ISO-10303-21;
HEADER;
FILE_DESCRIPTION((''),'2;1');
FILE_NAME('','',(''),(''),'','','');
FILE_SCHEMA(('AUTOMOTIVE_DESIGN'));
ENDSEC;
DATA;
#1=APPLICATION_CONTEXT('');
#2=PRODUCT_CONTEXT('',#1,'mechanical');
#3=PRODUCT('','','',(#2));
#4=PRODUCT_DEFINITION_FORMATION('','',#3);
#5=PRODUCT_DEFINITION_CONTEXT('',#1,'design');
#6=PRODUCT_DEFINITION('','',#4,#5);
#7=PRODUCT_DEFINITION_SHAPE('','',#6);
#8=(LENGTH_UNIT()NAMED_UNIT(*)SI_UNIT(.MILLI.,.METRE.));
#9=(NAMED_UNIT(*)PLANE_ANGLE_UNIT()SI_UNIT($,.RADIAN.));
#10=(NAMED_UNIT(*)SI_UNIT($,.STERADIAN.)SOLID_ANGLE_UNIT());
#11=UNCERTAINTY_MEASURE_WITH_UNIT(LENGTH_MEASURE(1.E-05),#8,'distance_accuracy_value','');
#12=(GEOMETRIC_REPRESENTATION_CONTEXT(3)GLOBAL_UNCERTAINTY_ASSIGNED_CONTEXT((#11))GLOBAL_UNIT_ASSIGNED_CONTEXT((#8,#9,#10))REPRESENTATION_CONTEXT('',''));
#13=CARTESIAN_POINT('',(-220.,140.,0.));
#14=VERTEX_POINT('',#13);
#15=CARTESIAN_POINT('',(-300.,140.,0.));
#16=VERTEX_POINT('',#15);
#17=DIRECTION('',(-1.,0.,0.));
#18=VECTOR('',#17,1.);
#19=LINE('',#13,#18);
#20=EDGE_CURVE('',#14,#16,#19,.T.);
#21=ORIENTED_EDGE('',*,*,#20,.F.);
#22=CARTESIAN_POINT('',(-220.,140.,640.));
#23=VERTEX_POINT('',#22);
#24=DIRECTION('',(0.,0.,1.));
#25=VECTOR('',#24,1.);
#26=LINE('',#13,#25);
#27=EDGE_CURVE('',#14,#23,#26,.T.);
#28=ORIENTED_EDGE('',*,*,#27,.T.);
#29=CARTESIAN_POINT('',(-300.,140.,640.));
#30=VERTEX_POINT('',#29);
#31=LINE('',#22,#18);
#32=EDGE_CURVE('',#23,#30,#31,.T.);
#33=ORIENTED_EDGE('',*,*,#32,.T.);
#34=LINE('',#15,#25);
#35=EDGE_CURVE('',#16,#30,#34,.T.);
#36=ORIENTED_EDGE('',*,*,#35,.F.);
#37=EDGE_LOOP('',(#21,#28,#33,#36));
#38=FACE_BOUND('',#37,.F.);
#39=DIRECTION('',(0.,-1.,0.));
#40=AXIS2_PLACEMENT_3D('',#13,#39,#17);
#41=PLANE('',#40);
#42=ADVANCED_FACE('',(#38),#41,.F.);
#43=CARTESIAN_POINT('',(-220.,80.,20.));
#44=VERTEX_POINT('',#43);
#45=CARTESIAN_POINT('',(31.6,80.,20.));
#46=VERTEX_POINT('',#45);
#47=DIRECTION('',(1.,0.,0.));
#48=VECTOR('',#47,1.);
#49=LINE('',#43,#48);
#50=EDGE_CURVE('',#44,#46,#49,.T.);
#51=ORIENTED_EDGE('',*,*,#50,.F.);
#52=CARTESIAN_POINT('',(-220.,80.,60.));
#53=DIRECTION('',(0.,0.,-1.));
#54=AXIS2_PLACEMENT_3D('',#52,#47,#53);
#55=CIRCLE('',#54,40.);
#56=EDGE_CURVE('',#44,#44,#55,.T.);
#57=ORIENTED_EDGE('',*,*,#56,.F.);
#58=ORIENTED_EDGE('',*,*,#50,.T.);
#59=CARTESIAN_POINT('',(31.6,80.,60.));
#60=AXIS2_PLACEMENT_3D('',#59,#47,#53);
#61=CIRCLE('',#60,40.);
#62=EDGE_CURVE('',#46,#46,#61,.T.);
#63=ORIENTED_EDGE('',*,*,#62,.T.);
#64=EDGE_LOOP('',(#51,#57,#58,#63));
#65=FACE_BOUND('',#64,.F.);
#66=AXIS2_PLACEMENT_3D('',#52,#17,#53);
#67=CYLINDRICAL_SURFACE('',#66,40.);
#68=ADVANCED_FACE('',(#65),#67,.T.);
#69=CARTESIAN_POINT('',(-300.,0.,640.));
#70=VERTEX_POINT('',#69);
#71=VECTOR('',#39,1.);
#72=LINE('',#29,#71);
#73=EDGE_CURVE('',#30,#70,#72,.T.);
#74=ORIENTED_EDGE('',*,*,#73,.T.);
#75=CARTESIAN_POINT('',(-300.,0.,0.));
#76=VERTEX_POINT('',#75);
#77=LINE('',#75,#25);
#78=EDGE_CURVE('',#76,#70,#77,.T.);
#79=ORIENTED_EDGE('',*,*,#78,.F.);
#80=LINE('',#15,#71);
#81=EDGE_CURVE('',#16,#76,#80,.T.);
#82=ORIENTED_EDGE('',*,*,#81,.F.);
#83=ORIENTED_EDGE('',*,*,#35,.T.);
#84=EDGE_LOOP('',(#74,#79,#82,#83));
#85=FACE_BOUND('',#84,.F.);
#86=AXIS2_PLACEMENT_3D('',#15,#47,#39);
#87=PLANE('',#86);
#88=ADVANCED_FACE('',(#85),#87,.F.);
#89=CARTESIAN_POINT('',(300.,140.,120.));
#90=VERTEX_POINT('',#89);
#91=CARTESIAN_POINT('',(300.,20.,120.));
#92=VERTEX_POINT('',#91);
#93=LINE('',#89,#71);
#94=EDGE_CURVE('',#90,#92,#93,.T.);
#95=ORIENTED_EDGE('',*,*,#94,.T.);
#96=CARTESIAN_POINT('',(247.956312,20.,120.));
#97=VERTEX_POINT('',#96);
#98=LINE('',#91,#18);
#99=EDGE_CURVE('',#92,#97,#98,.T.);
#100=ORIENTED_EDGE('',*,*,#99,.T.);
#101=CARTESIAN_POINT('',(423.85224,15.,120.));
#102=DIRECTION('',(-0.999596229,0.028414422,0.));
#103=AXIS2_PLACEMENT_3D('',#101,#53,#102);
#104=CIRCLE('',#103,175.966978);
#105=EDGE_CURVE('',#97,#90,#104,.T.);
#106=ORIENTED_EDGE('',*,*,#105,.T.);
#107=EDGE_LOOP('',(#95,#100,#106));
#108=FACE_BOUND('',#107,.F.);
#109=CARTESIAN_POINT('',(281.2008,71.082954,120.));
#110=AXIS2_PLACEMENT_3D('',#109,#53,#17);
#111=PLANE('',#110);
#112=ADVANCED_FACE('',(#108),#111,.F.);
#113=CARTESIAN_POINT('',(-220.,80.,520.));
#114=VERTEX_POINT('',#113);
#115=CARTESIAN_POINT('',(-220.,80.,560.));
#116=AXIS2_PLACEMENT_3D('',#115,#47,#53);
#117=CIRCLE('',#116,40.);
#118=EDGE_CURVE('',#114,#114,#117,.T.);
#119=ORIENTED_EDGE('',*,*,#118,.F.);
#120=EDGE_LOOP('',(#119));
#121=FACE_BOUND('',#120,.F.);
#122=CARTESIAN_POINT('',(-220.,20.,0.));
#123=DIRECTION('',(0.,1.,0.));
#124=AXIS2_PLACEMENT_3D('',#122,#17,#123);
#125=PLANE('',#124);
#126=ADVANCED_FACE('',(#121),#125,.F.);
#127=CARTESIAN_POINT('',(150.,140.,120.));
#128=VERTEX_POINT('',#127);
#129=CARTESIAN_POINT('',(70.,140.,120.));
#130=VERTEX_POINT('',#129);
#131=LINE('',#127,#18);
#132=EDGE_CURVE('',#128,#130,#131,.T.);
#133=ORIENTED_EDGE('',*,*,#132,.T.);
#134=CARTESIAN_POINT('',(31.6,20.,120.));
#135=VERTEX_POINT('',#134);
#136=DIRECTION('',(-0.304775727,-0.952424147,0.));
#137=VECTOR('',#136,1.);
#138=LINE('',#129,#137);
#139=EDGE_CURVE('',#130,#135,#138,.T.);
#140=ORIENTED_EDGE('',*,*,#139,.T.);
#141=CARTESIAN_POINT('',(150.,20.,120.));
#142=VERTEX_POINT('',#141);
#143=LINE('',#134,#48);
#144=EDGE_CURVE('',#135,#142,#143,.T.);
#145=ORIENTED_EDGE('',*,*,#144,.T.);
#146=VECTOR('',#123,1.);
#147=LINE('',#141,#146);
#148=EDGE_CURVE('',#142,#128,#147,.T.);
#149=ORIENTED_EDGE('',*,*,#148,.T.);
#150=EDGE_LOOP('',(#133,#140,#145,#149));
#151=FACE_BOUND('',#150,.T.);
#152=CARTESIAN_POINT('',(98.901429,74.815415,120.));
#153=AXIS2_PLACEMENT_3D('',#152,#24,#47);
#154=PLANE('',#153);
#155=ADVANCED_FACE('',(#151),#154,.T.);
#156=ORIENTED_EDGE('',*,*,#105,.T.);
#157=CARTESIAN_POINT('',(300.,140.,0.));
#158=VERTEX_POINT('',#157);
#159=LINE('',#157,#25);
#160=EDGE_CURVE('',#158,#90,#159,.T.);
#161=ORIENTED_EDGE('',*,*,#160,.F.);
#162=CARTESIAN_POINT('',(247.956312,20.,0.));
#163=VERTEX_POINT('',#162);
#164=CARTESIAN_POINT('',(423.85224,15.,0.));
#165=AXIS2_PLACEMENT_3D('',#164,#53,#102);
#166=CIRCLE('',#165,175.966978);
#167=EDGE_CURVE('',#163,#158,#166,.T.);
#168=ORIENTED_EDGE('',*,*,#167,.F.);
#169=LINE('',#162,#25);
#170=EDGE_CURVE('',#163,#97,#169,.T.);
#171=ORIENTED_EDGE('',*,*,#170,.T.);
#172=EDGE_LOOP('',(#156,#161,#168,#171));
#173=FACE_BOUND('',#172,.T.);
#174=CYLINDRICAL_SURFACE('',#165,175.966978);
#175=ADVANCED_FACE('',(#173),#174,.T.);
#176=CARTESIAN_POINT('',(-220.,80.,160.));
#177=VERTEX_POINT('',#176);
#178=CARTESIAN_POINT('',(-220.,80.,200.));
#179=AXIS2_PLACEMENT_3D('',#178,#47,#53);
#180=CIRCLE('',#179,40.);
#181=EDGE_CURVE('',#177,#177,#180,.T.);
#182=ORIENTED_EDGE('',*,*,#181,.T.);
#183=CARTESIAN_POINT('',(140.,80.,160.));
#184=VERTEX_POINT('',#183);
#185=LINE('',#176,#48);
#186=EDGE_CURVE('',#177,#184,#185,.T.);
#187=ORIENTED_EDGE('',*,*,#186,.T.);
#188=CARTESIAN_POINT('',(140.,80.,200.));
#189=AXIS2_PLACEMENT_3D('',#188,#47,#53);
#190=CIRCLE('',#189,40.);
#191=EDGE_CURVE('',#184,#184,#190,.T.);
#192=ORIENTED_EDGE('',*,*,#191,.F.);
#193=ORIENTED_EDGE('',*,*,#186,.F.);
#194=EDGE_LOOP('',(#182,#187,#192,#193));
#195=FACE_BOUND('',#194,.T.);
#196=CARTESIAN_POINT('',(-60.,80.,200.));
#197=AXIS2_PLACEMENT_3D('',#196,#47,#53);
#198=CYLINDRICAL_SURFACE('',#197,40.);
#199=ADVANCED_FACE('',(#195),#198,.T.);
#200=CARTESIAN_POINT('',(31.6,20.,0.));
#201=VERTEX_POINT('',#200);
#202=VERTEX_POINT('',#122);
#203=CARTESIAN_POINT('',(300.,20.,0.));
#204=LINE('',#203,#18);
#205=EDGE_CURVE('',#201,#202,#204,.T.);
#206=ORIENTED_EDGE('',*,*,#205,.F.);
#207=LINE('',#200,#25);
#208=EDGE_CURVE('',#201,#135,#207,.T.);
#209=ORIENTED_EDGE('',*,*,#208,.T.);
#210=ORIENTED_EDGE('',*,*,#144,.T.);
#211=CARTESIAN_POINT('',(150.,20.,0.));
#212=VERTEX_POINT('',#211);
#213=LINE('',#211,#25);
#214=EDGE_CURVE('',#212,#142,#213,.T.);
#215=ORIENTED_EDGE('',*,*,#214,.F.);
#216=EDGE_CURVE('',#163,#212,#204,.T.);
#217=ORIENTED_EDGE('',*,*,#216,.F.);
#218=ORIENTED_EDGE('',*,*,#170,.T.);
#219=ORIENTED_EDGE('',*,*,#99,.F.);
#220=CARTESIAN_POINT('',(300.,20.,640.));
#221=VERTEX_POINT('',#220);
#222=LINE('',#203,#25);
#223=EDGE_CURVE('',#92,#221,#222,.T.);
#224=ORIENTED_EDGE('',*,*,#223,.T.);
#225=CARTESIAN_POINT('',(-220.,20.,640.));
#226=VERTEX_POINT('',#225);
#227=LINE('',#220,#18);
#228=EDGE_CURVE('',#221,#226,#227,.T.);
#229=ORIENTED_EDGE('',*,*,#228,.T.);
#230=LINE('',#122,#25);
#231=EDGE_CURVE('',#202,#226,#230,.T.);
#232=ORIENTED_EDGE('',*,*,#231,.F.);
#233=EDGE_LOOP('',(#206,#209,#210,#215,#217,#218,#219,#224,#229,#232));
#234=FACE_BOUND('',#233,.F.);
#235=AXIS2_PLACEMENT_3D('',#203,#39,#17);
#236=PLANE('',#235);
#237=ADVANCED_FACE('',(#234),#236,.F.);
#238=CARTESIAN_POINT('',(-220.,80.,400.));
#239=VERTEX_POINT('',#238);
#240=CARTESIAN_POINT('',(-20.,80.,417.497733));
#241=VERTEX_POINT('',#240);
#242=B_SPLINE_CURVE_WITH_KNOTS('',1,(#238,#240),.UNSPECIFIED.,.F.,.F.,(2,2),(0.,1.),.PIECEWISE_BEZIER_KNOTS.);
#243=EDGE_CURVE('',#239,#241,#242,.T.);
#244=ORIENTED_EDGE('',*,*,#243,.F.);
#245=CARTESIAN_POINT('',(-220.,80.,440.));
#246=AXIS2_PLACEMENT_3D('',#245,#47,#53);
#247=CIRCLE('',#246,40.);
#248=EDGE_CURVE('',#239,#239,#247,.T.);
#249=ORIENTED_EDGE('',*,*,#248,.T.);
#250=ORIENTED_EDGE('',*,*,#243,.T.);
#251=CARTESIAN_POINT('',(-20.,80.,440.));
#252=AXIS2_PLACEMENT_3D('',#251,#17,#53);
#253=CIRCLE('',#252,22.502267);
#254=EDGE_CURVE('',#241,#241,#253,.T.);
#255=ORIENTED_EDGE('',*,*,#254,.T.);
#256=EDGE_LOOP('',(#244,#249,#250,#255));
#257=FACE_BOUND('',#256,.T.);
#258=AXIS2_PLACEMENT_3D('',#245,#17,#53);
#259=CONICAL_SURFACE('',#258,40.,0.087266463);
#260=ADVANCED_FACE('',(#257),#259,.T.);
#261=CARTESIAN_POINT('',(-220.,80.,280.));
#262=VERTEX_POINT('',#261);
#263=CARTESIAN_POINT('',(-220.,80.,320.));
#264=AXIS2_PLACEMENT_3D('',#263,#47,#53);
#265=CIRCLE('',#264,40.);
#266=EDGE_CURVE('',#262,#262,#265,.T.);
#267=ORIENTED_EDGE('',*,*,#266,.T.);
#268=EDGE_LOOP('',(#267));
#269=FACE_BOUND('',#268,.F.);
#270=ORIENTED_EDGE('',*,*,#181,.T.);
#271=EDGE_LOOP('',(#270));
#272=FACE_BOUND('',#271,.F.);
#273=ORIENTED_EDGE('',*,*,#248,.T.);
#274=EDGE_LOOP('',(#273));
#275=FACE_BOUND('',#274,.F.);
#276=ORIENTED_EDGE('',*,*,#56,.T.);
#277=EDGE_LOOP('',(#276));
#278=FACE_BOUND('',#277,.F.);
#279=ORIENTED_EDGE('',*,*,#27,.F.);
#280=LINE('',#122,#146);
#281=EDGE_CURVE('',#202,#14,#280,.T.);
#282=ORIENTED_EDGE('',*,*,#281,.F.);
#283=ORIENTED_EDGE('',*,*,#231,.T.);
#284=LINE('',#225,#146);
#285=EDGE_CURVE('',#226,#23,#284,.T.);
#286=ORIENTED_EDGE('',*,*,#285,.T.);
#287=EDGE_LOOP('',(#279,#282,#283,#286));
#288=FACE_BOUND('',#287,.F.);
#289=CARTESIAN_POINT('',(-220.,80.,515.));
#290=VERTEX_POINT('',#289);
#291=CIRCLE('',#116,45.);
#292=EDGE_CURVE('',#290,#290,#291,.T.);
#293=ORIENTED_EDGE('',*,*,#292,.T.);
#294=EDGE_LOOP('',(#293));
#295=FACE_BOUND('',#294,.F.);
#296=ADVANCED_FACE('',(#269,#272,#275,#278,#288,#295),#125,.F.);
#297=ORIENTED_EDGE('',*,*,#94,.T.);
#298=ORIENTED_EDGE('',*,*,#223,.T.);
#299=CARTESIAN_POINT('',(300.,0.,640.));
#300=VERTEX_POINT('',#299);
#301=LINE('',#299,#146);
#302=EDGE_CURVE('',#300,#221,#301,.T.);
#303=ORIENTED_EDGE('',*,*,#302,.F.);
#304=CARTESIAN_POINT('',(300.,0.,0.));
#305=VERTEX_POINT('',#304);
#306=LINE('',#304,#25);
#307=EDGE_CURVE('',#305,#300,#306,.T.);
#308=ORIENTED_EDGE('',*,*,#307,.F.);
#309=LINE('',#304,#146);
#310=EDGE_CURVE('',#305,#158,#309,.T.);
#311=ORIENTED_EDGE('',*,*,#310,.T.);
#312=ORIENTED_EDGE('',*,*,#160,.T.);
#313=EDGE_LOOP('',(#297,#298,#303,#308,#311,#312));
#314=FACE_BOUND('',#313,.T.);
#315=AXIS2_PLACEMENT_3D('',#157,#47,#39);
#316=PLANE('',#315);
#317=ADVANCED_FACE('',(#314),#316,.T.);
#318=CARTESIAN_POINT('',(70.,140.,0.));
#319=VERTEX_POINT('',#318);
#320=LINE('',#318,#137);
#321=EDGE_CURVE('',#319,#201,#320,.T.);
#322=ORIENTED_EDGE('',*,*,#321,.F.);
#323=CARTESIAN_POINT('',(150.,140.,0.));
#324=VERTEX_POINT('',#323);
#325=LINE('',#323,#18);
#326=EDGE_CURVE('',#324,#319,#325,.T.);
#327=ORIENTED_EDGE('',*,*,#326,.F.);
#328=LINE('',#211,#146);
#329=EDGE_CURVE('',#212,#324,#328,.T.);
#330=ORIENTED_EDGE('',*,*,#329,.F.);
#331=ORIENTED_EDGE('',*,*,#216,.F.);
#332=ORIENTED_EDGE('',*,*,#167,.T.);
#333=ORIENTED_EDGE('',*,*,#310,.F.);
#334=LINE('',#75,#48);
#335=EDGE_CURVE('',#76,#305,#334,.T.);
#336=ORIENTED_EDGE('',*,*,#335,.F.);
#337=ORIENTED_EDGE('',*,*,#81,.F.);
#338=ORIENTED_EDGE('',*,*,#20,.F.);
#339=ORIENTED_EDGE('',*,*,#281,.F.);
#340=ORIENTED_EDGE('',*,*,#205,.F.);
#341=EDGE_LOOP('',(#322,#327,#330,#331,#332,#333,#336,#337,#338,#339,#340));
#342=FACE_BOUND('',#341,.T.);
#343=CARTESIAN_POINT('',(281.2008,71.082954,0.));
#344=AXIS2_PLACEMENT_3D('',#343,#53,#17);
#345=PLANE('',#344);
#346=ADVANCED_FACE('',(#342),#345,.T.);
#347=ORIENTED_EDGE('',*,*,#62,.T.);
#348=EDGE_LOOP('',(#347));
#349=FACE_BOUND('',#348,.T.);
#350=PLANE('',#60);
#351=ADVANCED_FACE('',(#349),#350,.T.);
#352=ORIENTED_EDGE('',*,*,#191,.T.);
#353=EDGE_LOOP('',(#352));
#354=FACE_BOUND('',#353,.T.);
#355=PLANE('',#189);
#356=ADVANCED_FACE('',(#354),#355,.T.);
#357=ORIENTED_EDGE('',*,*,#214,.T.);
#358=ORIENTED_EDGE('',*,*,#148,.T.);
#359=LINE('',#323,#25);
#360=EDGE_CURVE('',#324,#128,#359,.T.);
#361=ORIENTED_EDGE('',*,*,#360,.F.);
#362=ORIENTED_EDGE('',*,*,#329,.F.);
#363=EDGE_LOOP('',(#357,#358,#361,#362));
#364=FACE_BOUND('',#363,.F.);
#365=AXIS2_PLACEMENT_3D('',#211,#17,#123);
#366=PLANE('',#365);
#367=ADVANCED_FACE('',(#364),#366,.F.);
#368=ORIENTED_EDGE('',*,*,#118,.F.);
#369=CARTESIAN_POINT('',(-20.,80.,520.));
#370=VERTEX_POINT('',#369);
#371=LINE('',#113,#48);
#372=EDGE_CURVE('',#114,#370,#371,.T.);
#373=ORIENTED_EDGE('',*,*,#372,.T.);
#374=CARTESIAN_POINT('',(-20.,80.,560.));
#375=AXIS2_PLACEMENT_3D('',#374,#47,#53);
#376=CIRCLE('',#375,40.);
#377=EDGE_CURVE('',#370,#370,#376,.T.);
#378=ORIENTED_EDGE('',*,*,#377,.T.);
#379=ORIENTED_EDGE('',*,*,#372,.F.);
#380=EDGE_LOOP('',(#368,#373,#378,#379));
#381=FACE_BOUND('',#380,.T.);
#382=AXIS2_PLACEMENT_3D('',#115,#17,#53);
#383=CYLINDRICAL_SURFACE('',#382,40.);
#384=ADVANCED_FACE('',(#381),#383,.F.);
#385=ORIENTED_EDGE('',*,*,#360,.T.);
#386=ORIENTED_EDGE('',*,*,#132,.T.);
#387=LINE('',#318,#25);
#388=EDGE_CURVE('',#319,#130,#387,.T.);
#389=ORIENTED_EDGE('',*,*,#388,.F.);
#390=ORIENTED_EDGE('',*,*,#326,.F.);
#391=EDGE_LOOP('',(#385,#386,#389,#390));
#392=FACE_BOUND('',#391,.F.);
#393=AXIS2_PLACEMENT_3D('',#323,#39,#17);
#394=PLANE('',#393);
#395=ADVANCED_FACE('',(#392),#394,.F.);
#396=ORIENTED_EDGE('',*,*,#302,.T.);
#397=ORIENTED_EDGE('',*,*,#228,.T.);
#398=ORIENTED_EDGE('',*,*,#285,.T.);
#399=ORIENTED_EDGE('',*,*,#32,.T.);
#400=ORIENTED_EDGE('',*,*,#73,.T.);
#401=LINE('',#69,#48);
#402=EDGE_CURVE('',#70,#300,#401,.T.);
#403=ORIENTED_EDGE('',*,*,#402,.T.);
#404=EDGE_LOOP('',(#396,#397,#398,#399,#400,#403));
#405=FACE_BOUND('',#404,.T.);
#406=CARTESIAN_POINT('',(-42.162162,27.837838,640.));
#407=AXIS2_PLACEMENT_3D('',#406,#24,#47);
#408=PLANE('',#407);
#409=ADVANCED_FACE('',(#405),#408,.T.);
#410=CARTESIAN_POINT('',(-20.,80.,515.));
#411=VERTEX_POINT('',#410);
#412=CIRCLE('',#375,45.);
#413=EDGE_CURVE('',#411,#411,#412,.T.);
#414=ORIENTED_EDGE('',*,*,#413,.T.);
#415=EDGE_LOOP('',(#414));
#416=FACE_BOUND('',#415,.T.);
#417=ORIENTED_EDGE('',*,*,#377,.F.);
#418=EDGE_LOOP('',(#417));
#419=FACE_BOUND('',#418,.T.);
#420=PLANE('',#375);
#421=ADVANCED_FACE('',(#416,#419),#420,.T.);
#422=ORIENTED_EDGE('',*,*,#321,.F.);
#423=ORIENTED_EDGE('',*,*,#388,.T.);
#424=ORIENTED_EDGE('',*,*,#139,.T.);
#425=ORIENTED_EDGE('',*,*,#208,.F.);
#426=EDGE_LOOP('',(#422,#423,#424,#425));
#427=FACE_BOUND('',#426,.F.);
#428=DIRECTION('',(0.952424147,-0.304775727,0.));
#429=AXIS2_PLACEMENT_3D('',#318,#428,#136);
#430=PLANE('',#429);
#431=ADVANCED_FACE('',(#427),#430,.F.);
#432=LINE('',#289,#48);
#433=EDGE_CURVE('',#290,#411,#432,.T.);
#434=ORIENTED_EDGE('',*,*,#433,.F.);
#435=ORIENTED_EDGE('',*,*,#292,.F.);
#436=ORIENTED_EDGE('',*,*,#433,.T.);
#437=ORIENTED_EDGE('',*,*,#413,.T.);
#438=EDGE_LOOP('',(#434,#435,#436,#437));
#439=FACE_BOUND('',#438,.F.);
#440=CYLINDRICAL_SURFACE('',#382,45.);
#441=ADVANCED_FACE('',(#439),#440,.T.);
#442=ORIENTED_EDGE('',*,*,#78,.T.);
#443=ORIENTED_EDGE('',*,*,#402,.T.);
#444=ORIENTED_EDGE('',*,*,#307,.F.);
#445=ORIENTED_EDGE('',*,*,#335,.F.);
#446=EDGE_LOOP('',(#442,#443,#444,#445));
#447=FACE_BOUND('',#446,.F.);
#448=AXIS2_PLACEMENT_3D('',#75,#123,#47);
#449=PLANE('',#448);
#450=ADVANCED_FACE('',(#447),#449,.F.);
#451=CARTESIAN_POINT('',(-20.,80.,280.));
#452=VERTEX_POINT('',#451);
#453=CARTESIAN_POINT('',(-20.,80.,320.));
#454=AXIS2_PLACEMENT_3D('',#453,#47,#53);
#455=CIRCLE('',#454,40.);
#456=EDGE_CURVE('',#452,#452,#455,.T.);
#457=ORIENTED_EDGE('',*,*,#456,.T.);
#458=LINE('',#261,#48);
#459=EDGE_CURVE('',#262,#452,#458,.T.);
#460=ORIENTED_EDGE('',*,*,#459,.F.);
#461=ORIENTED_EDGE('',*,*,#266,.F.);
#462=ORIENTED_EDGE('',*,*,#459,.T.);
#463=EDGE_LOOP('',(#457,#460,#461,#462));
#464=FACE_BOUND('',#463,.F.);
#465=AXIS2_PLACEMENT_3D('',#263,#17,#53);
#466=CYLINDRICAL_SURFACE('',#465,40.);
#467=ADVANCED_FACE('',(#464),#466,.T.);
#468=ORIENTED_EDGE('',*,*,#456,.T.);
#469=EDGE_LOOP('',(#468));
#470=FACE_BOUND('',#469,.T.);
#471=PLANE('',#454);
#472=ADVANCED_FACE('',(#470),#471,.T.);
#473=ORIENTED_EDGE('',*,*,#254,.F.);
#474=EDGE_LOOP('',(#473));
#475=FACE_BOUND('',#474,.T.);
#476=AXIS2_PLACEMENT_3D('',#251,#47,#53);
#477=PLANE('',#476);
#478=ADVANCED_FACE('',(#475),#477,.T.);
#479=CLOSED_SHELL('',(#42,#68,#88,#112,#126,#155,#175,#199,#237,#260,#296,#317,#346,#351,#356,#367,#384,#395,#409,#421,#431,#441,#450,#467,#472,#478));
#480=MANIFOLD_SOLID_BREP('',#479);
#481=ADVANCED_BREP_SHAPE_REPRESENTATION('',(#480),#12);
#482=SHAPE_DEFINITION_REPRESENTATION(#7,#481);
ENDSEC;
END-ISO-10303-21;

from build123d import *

# Parameters (mm, degrees)
BOSS_EXTRUDE1_DEPTH             = 640
BOSS_EXTRUDE2_DEPTH             = 120
ONE_SIDE_R                      = 40
BOSS_EXTRUDE4_DEPTH             = 251.6
BOTH_SIDES_R                    = 40
BOSS_EXTRUDE5_DEPTH             = 200
BOSS_EXTRUDE5_DIRECTION_2_REACH = 242
SOLID_2_R                       = 40
BOSS_EXTRUDE6_DEPTH             = 200
DRAFT_2_R                       = 40
BOSS_EXTRUDE7_DEPTH             = 200
BOSS_EXTRUDE7_TAPER             = 5
THICKEN_2_R                     = 45
THICKEN_2_R_2                   = 40
EXTRUDE_THIN1_DEPTH             = 200


with BuildPart() as part:
    # Sketch1 → Boss-Extrude1 (new body)
    with BuildSketch(Plane.XY):
        Polygon((-300, 0), (300, 0), (300, 20), (-220, 20), (-220, 140), (-300, 140), align=None)
    extrude(amount=BOSS_EXTRUDE1_DEPTH)

    # Sketch2 → Boss-Extrude2 (add)
    with BuildSketch(Plane.XY):
        with BuildLine():
            Line((300, 140), (300, 20))
            Line((300, 20), (247.956312481, 20))
            ThreePointArc((247.956312481, 20), (262.414199332, 85.015257999), (300, 140))
        make_face()
        Polygon((150, 140), (70, 140), (31.6, 20), (150, 20), align=None)
    extrude(amount=BOSS_EXTRUDE2_DEPTH)

    # One_Side → Boss-Extrude4 (add)
    with BuildSketch(Plane(origin=(-220, 0, 0), x_dir=(0, 0, -1), z_dir=(1, 0, 0))):
        with Locations((-60, 80)):
            Circle(ONE_SIDE_R)
    extrude(amount=BOSS_EXTRUDE4_DEPTH)

    # Both_Sides → Boss-Extrude5 (add)
    with BuildSketch(Plane(origin=(-60, 0, 0), x_dir=(0, 0, -1), z_dir=(1, 0, 0))):
        with Locations((-200, 80)):
            Circle(BOTH_SIDES_R)
    extrude(amount=BOSS_EXTRUDE5_DEPTH)

    # Both_Sides → Boss-Extrude5 direction 2 (add, up to next)
    with BuildSketch(Plane(origin=(-60, 0, 0), x_dir=(0, 0, -1), z_dir=(1, 0, 0)), mode=Mode.PRIVATE) as boss_extrude5_direction_2_sk1:
        with Locations((-200, 80)):
            Circle(BOTH_SIDES_R)
    boss_extrude5_direction_2_tool1 = extrude(boss_extrude5_direction_2_sk1.sketch, amount=-BOSS_EXTRUDE5_DIRECTION_2_REACH, mode=Mode.PRIVATE) - part.part
    add(boss_extrude5_direction_2_tool1.solids().sort_by_distance((-60, 80, 200))[0])

    # Solid 2 → Boss-Extrude6 (add)
    with BuildSketch(Plane(origin=(-220, 0, 0), x_dir=(0, 0, -1), z_dir=(1, 0, 0))):
        with Locations((-320, 80)):
            Circle(SOLID_2_R)
    extrude(amount=BOSS_EXTRUDE6_DEPTH)

    # Draft 2 → Boss-Extrude7 (add)
    with BuildSketch(Plane(origin=(-220, 0, 0), x_dir=(0, 0, -1), z_dir=(1, 0, 0))):
        with Locations((-440, 80)):
            Circle(DRAFT_2_R)
    extrude(amount=BOSS_EXTRUDE7_DEPTH, taper=BOSS_EXTRUDE7_TAPER)

    # Thicken 2 → Extrude-Thin1 (add)
    with BuildSketch(Plane(origin=(-220, 0, 0), x_dir=(0, 0, -1), z_dir=(1, 0, 0))):
        with Locations((-560, 80)):
            Circle(THICKEN_2_R)
        with Locations((-560, 80)):
            Circle(THICKEN_2_R_2, mode=Mode.SUBTRACT)
    extrude(amount=EXTRUDE_THIN1_DEPTH)


solid = part.part
